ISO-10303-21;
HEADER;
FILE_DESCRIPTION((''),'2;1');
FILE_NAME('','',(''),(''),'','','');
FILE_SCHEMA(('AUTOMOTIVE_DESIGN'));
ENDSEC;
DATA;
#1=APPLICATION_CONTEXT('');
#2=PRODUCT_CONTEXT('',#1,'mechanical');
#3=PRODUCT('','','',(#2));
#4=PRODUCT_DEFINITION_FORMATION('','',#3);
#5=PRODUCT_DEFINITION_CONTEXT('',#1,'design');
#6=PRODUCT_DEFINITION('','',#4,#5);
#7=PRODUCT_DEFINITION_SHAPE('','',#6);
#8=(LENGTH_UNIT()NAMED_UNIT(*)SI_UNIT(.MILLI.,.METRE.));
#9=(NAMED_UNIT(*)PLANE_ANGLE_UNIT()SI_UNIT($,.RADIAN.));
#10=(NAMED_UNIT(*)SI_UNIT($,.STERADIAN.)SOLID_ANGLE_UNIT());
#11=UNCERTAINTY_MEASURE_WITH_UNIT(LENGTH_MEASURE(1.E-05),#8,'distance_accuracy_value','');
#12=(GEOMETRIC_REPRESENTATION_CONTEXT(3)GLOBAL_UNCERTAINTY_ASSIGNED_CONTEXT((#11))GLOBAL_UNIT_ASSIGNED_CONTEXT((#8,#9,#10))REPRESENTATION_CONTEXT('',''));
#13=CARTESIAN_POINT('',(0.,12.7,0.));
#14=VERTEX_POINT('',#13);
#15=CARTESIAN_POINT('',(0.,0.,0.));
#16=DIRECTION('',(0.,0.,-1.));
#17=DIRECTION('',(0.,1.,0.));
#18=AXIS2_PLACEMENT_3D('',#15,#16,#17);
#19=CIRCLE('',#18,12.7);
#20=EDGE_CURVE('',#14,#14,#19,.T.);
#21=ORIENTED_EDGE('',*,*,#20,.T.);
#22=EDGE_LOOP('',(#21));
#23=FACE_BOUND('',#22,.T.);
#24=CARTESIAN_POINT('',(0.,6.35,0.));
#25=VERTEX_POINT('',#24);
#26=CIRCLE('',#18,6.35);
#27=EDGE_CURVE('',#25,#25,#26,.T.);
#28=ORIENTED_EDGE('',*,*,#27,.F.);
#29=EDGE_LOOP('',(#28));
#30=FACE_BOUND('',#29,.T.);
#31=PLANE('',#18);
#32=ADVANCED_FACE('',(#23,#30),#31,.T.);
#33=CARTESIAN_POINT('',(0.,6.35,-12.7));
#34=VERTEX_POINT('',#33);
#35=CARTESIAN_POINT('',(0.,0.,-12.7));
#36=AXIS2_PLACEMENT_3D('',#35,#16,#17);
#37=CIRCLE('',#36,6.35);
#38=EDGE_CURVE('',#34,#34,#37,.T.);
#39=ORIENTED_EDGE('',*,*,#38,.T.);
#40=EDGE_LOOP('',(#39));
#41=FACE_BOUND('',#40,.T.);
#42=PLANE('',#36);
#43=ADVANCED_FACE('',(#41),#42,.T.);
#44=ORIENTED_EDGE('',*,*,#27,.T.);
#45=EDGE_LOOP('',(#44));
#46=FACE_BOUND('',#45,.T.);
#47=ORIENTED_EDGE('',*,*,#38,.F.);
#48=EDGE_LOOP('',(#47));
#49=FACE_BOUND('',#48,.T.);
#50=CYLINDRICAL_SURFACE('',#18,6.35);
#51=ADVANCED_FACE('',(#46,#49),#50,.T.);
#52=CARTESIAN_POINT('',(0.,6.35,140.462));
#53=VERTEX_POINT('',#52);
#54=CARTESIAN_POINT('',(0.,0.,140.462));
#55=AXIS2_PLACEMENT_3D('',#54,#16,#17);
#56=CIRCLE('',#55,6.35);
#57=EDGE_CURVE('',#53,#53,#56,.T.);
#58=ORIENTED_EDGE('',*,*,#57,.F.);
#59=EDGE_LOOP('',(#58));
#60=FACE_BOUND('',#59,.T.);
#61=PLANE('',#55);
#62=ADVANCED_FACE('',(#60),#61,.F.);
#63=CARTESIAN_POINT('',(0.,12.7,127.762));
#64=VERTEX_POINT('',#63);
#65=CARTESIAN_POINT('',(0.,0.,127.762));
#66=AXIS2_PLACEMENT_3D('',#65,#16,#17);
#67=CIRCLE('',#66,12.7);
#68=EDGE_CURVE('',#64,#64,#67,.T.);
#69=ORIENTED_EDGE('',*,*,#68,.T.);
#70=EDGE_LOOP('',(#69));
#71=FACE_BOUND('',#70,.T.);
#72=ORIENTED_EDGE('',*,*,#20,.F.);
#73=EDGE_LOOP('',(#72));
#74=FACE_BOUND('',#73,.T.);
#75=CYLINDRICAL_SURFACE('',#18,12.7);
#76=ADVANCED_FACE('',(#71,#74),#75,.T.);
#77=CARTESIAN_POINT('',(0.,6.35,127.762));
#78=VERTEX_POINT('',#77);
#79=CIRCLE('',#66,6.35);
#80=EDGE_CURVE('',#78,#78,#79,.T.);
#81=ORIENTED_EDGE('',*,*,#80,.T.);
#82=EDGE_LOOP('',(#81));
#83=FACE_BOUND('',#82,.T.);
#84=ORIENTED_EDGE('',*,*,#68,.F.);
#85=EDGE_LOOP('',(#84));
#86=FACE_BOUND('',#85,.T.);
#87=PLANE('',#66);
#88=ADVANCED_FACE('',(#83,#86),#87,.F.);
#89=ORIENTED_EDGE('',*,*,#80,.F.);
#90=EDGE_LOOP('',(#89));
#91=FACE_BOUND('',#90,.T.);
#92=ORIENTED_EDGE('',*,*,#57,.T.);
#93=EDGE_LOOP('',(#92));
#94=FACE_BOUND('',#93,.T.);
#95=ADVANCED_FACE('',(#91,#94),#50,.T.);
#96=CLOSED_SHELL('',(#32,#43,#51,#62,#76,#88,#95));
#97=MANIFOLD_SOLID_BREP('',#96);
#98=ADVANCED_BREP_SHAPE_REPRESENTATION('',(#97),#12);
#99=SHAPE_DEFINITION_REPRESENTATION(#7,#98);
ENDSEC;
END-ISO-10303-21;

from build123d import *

# Parameters (mm, degrees)
SKETCH1_W   = 12.7
SKETCH1_H   = 6.35
SKETCH1_W_2 = 127.762
SKETCH1_H_2 = 12.7


with BuildPart() as part:
    # Sketch1 → Revolve1 (revolve)
    with BuildSketch(Plane(origin=(0, 0, 0), x_dir=(0, 0, -1), z_dir=(1, 0, 0))):
        with Locations((-134.112, 3.175)):
            Rectangle(SKETCH1_W, SKETCH1_H)
        with Locations((-63.881, 6.35)):
            Rectangle(SKETCH1_W_2, SKETCH1_H_2)
        with Locations((6.35, 3.175)):
            Rectangle(SKETCH1_W, SKETCH1_H)
    revolve(axis=Axis((0, 0, 0), (0, 0, 1)))


solid = part.part
